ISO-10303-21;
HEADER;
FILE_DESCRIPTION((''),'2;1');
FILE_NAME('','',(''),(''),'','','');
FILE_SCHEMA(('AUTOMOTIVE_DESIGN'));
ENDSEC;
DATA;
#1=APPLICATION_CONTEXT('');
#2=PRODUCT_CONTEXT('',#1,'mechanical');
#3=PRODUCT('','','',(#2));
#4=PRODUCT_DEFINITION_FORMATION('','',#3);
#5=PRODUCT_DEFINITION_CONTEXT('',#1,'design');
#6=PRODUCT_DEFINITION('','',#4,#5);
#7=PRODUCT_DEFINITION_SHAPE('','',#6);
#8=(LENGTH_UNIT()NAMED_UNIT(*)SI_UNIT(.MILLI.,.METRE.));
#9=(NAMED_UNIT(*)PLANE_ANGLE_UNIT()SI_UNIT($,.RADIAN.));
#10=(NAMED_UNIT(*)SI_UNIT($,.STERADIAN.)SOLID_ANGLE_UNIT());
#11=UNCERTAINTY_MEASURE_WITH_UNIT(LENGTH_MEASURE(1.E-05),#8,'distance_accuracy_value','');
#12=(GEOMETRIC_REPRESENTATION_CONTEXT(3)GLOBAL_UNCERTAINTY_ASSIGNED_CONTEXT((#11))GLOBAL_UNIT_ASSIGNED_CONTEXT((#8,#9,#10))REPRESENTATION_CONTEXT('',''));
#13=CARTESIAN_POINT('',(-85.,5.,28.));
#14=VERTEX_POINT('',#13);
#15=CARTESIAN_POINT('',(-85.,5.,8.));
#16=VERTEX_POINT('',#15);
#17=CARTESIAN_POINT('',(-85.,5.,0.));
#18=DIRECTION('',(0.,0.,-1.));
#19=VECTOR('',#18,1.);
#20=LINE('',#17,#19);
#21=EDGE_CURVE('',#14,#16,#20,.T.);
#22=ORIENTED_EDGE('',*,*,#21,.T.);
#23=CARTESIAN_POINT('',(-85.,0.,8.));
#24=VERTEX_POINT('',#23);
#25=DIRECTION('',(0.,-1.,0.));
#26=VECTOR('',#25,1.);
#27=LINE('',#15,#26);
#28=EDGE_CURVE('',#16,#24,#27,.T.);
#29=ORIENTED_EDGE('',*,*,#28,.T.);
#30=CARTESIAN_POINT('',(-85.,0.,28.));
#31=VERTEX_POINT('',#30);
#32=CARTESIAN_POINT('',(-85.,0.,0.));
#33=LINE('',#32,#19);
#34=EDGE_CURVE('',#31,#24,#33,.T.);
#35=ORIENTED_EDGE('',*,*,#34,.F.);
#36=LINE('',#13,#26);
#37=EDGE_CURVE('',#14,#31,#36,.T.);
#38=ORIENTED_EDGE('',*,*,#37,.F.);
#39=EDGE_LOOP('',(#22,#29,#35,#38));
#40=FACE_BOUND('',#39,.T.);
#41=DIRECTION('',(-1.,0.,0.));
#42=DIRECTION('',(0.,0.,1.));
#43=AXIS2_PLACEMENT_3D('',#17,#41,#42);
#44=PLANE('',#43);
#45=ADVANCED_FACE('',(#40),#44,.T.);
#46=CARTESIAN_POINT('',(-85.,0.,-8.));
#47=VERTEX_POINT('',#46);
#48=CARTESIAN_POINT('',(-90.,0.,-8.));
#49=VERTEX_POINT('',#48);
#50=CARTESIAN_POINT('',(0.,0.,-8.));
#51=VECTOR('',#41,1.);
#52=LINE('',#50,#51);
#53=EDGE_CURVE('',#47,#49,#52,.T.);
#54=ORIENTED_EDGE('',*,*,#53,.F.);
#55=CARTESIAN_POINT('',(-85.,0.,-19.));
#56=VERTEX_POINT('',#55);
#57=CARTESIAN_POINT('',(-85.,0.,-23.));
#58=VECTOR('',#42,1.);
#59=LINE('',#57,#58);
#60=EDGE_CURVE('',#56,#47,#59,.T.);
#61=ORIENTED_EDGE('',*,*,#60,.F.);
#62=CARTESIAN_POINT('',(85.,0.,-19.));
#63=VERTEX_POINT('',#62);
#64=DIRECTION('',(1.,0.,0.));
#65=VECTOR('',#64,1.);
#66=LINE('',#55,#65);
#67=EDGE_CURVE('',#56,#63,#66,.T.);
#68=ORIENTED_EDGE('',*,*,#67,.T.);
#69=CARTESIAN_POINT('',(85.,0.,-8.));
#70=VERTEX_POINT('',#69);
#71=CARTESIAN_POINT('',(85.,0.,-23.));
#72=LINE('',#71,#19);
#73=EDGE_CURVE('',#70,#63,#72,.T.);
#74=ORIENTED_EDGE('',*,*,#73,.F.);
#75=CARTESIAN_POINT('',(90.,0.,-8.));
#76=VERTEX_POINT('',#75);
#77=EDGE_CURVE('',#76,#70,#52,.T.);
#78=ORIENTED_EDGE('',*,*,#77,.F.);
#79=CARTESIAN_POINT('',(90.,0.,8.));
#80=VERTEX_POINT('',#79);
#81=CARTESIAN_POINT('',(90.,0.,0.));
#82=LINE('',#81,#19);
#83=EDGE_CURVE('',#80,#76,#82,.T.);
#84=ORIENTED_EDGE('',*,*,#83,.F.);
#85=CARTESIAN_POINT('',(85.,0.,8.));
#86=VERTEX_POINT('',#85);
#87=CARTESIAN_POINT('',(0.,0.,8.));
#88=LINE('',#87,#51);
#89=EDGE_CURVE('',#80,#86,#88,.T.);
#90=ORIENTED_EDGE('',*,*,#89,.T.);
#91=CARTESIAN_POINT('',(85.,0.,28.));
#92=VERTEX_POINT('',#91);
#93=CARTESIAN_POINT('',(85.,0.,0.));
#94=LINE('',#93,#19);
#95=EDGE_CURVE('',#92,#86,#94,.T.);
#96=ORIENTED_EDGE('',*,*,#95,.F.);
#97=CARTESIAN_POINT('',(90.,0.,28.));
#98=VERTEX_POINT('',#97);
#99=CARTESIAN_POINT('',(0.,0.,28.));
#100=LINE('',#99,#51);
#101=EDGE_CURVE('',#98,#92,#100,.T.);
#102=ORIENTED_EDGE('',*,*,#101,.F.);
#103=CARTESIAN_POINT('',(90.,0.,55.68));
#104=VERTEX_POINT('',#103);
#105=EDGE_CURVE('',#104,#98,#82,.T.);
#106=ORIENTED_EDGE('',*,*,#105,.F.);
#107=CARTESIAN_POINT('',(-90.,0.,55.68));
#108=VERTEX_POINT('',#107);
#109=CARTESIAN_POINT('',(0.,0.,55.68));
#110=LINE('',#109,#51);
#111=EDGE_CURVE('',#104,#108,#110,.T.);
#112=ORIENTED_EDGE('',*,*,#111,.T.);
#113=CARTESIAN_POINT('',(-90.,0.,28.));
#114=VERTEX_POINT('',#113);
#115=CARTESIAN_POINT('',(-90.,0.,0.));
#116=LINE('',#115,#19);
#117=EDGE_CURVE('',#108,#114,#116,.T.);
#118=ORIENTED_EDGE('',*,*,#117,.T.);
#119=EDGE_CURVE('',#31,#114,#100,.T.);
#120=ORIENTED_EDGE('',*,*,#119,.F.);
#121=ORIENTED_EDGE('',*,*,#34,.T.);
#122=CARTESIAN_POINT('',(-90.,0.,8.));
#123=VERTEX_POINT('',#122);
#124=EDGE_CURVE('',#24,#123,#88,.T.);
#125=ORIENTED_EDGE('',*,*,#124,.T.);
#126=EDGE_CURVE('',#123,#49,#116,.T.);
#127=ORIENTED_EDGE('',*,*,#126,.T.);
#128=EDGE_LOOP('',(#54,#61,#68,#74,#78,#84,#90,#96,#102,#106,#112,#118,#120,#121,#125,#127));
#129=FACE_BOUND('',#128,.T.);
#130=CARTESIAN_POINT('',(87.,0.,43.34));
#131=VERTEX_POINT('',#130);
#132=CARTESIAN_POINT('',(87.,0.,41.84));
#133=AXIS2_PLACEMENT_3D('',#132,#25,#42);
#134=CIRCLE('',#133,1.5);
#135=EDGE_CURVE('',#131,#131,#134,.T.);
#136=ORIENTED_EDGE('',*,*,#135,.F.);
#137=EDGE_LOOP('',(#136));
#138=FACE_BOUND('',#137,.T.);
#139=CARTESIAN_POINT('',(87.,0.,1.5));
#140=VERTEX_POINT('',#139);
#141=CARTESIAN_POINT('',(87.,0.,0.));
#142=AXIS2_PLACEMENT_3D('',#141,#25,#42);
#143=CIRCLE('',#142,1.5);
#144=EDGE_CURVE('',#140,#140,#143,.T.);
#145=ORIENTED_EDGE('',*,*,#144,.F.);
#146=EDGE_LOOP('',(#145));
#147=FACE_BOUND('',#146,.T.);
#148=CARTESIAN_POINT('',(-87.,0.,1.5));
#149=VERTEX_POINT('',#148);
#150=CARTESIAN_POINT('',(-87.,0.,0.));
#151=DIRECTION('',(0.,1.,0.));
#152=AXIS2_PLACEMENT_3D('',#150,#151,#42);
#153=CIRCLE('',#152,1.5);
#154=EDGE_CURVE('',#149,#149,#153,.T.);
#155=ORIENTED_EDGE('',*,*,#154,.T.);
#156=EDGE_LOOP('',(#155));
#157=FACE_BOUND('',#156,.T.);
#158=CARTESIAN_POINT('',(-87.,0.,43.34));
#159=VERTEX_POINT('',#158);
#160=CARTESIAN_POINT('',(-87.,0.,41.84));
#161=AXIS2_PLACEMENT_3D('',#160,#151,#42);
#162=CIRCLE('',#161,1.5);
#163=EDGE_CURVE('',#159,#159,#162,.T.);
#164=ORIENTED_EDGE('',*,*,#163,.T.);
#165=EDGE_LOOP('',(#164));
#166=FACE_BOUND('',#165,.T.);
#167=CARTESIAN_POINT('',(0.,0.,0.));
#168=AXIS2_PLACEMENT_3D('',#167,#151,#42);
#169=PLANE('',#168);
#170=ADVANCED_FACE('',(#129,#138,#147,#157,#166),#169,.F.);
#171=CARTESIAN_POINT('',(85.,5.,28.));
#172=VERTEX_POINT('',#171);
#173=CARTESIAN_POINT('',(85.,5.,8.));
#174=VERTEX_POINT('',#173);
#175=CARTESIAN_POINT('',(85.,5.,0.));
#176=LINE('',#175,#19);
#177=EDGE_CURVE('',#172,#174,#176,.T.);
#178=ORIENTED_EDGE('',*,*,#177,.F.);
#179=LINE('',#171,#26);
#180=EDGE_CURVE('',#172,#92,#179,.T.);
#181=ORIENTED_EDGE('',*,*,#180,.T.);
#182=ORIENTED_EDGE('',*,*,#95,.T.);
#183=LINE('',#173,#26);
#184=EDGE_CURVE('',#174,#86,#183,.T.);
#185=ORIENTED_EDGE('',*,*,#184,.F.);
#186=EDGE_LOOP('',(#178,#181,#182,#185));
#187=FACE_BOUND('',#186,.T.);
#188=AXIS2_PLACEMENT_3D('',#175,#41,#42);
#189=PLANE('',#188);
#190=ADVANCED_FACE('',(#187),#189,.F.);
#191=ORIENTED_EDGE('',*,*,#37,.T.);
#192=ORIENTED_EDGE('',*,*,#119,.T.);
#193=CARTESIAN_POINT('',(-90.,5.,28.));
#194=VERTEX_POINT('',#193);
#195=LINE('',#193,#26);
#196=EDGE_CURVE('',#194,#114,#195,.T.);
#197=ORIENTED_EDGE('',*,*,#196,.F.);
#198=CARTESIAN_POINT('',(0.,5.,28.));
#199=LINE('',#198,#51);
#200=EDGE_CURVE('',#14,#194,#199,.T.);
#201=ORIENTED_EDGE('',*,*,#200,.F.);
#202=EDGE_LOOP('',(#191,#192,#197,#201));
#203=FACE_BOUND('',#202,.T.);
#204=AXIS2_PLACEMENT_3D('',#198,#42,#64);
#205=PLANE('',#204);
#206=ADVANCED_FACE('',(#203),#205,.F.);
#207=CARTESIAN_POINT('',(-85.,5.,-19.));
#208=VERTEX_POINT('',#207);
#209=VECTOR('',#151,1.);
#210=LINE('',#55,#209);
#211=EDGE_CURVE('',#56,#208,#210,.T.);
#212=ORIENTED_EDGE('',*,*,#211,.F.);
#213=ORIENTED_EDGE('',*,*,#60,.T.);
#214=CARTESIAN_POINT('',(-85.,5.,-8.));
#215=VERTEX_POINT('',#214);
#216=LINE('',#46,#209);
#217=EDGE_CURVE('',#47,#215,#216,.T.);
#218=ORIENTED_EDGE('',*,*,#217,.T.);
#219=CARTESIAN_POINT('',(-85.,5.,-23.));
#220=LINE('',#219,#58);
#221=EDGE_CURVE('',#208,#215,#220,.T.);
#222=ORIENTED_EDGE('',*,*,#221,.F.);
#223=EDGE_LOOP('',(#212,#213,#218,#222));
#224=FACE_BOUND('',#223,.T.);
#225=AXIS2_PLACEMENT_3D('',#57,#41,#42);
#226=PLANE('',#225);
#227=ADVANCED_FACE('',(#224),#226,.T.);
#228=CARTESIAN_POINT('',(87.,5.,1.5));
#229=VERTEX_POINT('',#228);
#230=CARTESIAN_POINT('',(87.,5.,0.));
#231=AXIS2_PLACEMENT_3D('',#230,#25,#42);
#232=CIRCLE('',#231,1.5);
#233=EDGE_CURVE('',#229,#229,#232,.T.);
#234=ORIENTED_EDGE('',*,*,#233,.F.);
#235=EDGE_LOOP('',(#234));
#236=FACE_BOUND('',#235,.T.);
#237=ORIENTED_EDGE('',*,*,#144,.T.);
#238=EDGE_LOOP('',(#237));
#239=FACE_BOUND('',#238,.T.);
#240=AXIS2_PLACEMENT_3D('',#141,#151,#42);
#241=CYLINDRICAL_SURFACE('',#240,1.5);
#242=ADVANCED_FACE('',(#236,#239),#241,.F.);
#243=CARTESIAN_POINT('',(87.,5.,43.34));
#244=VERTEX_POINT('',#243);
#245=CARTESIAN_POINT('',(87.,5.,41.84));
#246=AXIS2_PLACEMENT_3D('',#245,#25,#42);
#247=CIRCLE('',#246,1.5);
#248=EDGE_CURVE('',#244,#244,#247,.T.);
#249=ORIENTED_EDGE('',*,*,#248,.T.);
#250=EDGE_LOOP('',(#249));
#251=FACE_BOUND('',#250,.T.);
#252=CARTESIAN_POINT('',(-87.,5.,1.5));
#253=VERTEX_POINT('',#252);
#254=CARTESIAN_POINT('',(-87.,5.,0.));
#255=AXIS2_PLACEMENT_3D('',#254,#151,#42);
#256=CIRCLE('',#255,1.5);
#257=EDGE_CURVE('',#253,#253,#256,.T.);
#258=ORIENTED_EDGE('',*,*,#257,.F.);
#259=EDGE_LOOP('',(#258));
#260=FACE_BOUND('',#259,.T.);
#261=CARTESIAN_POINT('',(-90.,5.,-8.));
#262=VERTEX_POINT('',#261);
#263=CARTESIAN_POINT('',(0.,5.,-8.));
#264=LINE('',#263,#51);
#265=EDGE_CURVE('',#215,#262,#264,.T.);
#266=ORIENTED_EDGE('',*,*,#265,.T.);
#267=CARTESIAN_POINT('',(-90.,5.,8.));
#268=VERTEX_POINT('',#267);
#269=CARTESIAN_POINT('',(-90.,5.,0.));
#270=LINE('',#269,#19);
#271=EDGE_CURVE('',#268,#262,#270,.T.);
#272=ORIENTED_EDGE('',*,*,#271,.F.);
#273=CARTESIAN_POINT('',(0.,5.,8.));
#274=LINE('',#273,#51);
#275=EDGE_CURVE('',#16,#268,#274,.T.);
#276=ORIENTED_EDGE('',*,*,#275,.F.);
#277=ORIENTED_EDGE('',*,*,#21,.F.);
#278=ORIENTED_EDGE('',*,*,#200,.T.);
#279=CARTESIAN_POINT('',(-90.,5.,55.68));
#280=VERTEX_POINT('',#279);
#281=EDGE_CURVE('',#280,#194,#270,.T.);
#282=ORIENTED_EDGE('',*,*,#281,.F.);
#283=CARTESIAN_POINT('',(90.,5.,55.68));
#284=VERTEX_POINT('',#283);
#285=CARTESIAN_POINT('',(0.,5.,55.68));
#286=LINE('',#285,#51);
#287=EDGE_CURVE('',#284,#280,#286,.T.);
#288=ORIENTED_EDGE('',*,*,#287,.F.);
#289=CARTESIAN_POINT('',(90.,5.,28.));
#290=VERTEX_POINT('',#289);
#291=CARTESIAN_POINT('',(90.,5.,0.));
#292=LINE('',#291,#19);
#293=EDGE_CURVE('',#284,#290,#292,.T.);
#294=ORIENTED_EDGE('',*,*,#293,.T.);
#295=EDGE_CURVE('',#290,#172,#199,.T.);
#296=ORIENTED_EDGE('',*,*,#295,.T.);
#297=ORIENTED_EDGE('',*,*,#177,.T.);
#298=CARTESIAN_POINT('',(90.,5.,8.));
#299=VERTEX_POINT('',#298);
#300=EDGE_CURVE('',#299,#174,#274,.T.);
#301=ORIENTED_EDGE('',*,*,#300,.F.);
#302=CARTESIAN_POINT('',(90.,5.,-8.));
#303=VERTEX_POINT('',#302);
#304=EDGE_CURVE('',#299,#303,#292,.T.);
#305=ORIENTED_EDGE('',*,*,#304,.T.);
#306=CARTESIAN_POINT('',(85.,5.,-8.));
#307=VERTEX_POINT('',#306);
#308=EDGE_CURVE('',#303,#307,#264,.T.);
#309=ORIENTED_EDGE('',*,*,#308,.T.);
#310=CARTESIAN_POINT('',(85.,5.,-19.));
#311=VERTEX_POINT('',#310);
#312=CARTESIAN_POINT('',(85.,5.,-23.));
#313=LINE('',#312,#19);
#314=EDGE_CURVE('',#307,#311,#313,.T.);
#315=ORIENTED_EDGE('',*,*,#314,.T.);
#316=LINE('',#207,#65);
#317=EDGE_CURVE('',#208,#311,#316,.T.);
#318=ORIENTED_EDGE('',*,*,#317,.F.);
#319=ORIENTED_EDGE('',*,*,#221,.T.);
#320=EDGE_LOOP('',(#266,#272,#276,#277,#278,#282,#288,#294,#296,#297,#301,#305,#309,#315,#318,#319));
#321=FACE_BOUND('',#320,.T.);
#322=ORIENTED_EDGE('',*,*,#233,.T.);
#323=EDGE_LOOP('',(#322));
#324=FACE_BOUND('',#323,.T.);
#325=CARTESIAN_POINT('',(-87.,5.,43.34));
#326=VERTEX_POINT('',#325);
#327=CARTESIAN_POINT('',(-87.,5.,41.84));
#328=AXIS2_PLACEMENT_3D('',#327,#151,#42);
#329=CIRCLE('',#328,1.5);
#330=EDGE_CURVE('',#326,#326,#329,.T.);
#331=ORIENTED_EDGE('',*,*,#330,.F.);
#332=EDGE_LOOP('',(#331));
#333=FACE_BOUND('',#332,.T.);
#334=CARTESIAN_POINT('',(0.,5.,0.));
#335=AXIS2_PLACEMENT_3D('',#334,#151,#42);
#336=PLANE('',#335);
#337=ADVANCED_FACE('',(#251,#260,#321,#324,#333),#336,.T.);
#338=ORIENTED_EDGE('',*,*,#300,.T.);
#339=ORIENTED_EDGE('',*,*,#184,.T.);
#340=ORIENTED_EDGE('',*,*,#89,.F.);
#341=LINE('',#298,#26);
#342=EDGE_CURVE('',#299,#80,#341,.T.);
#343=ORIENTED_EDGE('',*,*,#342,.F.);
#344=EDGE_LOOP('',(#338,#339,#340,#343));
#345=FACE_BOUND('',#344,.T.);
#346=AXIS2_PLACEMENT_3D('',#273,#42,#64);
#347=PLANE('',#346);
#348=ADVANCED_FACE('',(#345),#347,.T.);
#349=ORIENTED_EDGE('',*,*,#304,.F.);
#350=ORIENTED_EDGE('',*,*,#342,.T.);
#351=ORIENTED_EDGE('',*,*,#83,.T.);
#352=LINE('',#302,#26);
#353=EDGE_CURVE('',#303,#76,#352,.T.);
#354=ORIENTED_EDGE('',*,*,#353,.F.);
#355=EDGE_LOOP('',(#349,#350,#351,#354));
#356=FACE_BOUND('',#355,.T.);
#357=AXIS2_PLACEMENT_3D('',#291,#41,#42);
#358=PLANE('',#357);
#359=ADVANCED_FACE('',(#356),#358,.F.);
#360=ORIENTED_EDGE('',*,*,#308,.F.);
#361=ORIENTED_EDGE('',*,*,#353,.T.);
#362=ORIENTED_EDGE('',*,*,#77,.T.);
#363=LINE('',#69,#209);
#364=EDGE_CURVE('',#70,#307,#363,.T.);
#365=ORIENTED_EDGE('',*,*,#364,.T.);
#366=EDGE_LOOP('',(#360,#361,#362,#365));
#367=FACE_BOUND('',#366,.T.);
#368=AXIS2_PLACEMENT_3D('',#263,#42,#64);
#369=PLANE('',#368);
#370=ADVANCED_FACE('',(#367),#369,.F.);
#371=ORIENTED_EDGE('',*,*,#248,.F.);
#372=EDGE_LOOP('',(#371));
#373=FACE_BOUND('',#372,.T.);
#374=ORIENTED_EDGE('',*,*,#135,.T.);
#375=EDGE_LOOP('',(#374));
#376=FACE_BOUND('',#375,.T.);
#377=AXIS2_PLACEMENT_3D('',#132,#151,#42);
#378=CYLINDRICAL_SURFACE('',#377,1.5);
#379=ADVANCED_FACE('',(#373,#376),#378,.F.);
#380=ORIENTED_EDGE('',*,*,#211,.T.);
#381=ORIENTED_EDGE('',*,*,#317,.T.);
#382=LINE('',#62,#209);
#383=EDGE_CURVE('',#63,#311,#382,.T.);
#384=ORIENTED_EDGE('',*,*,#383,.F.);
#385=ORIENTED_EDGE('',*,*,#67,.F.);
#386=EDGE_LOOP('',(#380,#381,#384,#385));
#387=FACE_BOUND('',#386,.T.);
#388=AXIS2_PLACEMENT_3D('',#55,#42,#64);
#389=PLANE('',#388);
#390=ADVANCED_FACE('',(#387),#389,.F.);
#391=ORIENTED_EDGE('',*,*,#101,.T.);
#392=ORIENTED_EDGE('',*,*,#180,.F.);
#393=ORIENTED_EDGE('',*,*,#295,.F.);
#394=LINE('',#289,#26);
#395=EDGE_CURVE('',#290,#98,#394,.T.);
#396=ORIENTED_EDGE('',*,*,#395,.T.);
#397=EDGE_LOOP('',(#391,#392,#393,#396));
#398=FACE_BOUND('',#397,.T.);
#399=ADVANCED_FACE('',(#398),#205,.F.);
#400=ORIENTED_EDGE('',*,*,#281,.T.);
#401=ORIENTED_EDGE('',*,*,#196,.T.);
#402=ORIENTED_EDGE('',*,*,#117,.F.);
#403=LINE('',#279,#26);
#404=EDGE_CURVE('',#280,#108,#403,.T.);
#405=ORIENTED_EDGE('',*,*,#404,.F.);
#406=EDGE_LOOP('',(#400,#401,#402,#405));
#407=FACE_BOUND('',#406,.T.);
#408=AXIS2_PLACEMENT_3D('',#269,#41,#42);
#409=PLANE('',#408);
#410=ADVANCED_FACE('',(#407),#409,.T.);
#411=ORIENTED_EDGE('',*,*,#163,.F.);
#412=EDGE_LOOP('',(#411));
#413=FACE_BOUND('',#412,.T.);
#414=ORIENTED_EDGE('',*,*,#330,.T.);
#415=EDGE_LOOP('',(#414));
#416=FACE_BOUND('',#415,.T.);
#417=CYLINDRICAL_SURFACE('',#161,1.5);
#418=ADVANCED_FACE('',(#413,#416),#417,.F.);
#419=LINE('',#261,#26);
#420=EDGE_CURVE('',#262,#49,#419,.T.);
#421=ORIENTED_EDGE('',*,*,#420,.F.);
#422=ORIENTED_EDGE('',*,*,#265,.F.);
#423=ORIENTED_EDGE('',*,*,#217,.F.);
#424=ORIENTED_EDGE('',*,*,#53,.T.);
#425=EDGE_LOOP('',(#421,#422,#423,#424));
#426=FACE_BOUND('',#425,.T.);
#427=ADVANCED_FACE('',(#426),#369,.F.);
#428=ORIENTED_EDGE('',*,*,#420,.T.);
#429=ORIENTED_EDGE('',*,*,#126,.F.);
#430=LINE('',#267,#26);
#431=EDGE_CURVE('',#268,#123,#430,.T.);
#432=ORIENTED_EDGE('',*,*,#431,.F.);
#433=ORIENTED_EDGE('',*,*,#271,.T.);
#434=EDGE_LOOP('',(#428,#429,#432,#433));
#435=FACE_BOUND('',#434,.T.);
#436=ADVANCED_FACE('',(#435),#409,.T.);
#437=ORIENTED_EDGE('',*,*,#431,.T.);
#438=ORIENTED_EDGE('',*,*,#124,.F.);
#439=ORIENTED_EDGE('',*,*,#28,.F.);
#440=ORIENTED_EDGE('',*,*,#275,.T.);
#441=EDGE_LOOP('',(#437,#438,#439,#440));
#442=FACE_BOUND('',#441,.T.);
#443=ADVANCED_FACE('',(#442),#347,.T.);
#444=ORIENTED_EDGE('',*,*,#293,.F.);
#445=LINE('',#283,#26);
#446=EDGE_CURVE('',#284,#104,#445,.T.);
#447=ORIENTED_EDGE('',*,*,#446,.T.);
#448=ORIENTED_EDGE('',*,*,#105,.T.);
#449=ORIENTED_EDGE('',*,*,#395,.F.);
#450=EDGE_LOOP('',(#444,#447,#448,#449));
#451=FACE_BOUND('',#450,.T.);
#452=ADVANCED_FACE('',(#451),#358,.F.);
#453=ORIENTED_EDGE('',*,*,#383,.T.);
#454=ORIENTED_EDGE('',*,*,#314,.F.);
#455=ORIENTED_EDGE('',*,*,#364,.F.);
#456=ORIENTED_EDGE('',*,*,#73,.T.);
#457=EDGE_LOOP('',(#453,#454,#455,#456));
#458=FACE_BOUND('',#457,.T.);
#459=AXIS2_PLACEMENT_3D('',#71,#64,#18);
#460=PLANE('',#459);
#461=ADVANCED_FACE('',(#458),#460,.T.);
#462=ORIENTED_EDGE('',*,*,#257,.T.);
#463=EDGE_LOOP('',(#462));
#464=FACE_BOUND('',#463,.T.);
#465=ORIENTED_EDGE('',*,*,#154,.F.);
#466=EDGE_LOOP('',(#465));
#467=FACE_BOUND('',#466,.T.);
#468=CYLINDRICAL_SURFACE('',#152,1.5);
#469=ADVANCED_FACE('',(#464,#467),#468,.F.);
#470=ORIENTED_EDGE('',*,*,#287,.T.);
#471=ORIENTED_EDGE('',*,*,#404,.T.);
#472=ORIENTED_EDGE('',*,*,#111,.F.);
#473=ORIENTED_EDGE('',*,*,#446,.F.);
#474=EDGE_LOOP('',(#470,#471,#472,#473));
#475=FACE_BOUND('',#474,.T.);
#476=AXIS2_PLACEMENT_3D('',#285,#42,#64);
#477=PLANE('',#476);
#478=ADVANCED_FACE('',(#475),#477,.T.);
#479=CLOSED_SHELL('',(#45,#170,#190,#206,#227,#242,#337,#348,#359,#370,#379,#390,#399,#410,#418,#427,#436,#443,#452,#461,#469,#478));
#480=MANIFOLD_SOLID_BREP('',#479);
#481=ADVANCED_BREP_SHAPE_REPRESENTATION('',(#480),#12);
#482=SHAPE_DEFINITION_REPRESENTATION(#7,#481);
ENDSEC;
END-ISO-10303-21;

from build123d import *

# Parameters (mm, degrees)
CROQUIS1_W              = 170
CROQUIS1_H              = 20
CROQUIS1_W_2            = 180
CROQUIS1_H_2            = 16
SALIENTE_EXTRUIR1_DEPTH = 5
CROQUIS2_R              = 1.5
CORTAR_EXTRUIR1_DEPTH   = 106.949338837
CROQUIS3_W              = 170
CROQUIS3_H              = 15
SALIENTE_EXTRUIR2_DEPTH = 5
CROQUIS5_W              = 170
CROQUIS5_H              = 4
CORTAR_EXTRUIR3_DEPTH   = 106.949338837


with BuildPart() as part:
    # Croquis1 → Saliente-Extruir1 (new body)
    with BuildSketch(Plane(origin=(0, 0, 0), x_dir=(1, 0, 0), z_dir=(0, 1, 0))):
        Polygon((90, -28), (85, -28), (-85, -28), (-90, -28), (-90, -55.68), (90, -55.68), align=None)
        with Locations((0, -18)):
            Rectangle(CROQUIS1_W, CROQUIS1_H)
        Rectangle(CROQUIS1_W_2, CROQUIS1_H_2)
    extrude(amount=SALIENTE_EXTRUIR1_DEPTH)

    # Croquis2 → Cortar-Extruir1 (cut, through all)
    with BuildSketch(Plane(origin=(0, 5, 0), x_dir=(1, 0, 0), z_dir=(0, 1, 0))):
        with Locations(Location((-87, 0, 0), (0, 0, 270))):
            Circle(CROQUIS2_R)
        with Locations(Location((-87, -41.84, 0), (0, 0, 270))):
            Circle(CROQUIS2_R)
    cortar_extruir1 = extrude(amount=-CORTAR_EXTRUIR1_DEPTH, mode=Mode.SUBTRACT)

    # Simetría1: Cortar-Extruir1 across plane
    add(cortar_extruir1.mirror(Plane(origin=(0, 0, 0), x_dir=(0, 0, 1), z_dir=(1, 0, 0))), mode=Mode.SUBTRACT)

    # Croquis3 → Saliente-Extruir2 (add)
    with BuildSketch(Plane(origin=(0, 5, 0), x_dir=(1, 0, 0), z_dir=(0, 1, 0))):
        with Locations((0, 15.5)):
            Rectangle(CROQUIS3_W, CROQUIS3_H)
    extrude(amount=-SALIENTE_EXTRUIR2_DEPTH)

    # Croquis5 → Cortar-Extruir3 (cut, through all)
    with BuildSketch(Plane(origin=(0, 5, 0), x_dir=(1, 0, 0), z_dir=(0, 1, 0))):
        with Locations((0, 21)):
            Rectangle(CROQUIS5_W, CROQUIS5_H)
    extrude(amount=-CORTAR_EXTRUIR3_DEPTH, mode=Mode.SUBTRACT)


solid = part.part
